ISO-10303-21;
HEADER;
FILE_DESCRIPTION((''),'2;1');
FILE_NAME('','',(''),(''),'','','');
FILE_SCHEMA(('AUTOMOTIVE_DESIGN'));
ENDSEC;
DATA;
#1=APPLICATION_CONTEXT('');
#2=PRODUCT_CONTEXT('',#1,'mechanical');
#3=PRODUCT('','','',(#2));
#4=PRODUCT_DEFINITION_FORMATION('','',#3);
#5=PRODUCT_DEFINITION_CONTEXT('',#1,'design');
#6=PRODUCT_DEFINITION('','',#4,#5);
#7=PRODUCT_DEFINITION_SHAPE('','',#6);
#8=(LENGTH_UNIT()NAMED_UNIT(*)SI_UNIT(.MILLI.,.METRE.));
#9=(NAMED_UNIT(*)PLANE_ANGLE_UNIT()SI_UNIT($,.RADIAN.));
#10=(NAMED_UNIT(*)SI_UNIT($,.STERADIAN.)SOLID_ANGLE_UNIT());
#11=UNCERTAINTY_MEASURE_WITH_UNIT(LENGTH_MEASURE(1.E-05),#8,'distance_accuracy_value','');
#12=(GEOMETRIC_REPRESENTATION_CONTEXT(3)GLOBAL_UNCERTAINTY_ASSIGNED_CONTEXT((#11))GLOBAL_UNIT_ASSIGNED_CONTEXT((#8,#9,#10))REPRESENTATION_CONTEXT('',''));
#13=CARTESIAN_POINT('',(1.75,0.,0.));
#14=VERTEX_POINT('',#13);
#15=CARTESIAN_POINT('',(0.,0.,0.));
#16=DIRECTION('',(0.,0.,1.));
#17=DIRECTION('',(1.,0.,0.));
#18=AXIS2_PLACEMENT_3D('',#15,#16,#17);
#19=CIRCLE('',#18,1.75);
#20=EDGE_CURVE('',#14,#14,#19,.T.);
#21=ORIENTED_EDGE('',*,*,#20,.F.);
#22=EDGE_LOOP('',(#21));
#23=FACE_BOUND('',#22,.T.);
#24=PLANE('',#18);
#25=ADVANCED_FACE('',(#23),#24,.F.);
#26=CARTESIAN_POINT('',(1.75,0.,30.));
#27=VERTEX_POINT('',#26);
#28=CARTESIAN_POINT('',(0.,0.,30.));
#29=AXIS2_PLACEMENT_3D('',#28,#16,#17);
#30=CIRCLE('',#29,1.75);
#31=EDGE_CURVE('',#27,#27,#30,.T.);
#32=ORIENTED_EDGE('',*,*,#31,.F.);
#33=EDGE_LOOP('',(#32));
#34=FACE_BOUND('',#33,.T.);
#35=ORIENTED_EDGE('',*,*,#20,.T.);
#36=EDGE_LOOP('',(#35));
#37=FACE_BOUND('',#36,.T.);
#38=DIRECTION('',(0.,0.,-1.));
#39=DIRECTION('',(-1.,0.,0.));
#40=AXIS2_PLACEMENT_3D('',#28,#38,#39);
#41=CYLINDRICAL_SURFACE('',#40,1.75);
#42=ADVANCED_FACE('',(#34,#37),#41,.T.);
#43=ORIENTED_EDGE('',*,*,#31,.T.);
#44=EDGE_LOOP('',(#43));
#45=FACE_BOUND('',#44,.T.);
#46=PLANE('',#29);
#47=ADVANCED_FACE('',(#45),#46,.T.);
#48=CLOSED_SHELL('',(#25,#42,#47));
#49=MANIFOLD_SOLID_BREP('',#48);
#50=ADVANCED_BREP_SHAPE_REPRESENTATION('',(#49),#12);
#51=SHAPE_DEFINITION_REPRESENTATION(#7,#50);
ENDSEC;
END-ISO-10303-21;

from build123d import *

# Parameters (mm, degrees)
SKETCH1_R           = 1.75
BOSS_EXTRUDE1_DEPTH = 30


with BuildPart() as part:
    # Sketch1 → Boss-Extrude1 (new body)
    with BuildSketch(Plane.XY):
        Circle(SKETCH1_R)
    extrude(amount=BOSS_EXTRUDE1_DEPTH)


solid = part.part
